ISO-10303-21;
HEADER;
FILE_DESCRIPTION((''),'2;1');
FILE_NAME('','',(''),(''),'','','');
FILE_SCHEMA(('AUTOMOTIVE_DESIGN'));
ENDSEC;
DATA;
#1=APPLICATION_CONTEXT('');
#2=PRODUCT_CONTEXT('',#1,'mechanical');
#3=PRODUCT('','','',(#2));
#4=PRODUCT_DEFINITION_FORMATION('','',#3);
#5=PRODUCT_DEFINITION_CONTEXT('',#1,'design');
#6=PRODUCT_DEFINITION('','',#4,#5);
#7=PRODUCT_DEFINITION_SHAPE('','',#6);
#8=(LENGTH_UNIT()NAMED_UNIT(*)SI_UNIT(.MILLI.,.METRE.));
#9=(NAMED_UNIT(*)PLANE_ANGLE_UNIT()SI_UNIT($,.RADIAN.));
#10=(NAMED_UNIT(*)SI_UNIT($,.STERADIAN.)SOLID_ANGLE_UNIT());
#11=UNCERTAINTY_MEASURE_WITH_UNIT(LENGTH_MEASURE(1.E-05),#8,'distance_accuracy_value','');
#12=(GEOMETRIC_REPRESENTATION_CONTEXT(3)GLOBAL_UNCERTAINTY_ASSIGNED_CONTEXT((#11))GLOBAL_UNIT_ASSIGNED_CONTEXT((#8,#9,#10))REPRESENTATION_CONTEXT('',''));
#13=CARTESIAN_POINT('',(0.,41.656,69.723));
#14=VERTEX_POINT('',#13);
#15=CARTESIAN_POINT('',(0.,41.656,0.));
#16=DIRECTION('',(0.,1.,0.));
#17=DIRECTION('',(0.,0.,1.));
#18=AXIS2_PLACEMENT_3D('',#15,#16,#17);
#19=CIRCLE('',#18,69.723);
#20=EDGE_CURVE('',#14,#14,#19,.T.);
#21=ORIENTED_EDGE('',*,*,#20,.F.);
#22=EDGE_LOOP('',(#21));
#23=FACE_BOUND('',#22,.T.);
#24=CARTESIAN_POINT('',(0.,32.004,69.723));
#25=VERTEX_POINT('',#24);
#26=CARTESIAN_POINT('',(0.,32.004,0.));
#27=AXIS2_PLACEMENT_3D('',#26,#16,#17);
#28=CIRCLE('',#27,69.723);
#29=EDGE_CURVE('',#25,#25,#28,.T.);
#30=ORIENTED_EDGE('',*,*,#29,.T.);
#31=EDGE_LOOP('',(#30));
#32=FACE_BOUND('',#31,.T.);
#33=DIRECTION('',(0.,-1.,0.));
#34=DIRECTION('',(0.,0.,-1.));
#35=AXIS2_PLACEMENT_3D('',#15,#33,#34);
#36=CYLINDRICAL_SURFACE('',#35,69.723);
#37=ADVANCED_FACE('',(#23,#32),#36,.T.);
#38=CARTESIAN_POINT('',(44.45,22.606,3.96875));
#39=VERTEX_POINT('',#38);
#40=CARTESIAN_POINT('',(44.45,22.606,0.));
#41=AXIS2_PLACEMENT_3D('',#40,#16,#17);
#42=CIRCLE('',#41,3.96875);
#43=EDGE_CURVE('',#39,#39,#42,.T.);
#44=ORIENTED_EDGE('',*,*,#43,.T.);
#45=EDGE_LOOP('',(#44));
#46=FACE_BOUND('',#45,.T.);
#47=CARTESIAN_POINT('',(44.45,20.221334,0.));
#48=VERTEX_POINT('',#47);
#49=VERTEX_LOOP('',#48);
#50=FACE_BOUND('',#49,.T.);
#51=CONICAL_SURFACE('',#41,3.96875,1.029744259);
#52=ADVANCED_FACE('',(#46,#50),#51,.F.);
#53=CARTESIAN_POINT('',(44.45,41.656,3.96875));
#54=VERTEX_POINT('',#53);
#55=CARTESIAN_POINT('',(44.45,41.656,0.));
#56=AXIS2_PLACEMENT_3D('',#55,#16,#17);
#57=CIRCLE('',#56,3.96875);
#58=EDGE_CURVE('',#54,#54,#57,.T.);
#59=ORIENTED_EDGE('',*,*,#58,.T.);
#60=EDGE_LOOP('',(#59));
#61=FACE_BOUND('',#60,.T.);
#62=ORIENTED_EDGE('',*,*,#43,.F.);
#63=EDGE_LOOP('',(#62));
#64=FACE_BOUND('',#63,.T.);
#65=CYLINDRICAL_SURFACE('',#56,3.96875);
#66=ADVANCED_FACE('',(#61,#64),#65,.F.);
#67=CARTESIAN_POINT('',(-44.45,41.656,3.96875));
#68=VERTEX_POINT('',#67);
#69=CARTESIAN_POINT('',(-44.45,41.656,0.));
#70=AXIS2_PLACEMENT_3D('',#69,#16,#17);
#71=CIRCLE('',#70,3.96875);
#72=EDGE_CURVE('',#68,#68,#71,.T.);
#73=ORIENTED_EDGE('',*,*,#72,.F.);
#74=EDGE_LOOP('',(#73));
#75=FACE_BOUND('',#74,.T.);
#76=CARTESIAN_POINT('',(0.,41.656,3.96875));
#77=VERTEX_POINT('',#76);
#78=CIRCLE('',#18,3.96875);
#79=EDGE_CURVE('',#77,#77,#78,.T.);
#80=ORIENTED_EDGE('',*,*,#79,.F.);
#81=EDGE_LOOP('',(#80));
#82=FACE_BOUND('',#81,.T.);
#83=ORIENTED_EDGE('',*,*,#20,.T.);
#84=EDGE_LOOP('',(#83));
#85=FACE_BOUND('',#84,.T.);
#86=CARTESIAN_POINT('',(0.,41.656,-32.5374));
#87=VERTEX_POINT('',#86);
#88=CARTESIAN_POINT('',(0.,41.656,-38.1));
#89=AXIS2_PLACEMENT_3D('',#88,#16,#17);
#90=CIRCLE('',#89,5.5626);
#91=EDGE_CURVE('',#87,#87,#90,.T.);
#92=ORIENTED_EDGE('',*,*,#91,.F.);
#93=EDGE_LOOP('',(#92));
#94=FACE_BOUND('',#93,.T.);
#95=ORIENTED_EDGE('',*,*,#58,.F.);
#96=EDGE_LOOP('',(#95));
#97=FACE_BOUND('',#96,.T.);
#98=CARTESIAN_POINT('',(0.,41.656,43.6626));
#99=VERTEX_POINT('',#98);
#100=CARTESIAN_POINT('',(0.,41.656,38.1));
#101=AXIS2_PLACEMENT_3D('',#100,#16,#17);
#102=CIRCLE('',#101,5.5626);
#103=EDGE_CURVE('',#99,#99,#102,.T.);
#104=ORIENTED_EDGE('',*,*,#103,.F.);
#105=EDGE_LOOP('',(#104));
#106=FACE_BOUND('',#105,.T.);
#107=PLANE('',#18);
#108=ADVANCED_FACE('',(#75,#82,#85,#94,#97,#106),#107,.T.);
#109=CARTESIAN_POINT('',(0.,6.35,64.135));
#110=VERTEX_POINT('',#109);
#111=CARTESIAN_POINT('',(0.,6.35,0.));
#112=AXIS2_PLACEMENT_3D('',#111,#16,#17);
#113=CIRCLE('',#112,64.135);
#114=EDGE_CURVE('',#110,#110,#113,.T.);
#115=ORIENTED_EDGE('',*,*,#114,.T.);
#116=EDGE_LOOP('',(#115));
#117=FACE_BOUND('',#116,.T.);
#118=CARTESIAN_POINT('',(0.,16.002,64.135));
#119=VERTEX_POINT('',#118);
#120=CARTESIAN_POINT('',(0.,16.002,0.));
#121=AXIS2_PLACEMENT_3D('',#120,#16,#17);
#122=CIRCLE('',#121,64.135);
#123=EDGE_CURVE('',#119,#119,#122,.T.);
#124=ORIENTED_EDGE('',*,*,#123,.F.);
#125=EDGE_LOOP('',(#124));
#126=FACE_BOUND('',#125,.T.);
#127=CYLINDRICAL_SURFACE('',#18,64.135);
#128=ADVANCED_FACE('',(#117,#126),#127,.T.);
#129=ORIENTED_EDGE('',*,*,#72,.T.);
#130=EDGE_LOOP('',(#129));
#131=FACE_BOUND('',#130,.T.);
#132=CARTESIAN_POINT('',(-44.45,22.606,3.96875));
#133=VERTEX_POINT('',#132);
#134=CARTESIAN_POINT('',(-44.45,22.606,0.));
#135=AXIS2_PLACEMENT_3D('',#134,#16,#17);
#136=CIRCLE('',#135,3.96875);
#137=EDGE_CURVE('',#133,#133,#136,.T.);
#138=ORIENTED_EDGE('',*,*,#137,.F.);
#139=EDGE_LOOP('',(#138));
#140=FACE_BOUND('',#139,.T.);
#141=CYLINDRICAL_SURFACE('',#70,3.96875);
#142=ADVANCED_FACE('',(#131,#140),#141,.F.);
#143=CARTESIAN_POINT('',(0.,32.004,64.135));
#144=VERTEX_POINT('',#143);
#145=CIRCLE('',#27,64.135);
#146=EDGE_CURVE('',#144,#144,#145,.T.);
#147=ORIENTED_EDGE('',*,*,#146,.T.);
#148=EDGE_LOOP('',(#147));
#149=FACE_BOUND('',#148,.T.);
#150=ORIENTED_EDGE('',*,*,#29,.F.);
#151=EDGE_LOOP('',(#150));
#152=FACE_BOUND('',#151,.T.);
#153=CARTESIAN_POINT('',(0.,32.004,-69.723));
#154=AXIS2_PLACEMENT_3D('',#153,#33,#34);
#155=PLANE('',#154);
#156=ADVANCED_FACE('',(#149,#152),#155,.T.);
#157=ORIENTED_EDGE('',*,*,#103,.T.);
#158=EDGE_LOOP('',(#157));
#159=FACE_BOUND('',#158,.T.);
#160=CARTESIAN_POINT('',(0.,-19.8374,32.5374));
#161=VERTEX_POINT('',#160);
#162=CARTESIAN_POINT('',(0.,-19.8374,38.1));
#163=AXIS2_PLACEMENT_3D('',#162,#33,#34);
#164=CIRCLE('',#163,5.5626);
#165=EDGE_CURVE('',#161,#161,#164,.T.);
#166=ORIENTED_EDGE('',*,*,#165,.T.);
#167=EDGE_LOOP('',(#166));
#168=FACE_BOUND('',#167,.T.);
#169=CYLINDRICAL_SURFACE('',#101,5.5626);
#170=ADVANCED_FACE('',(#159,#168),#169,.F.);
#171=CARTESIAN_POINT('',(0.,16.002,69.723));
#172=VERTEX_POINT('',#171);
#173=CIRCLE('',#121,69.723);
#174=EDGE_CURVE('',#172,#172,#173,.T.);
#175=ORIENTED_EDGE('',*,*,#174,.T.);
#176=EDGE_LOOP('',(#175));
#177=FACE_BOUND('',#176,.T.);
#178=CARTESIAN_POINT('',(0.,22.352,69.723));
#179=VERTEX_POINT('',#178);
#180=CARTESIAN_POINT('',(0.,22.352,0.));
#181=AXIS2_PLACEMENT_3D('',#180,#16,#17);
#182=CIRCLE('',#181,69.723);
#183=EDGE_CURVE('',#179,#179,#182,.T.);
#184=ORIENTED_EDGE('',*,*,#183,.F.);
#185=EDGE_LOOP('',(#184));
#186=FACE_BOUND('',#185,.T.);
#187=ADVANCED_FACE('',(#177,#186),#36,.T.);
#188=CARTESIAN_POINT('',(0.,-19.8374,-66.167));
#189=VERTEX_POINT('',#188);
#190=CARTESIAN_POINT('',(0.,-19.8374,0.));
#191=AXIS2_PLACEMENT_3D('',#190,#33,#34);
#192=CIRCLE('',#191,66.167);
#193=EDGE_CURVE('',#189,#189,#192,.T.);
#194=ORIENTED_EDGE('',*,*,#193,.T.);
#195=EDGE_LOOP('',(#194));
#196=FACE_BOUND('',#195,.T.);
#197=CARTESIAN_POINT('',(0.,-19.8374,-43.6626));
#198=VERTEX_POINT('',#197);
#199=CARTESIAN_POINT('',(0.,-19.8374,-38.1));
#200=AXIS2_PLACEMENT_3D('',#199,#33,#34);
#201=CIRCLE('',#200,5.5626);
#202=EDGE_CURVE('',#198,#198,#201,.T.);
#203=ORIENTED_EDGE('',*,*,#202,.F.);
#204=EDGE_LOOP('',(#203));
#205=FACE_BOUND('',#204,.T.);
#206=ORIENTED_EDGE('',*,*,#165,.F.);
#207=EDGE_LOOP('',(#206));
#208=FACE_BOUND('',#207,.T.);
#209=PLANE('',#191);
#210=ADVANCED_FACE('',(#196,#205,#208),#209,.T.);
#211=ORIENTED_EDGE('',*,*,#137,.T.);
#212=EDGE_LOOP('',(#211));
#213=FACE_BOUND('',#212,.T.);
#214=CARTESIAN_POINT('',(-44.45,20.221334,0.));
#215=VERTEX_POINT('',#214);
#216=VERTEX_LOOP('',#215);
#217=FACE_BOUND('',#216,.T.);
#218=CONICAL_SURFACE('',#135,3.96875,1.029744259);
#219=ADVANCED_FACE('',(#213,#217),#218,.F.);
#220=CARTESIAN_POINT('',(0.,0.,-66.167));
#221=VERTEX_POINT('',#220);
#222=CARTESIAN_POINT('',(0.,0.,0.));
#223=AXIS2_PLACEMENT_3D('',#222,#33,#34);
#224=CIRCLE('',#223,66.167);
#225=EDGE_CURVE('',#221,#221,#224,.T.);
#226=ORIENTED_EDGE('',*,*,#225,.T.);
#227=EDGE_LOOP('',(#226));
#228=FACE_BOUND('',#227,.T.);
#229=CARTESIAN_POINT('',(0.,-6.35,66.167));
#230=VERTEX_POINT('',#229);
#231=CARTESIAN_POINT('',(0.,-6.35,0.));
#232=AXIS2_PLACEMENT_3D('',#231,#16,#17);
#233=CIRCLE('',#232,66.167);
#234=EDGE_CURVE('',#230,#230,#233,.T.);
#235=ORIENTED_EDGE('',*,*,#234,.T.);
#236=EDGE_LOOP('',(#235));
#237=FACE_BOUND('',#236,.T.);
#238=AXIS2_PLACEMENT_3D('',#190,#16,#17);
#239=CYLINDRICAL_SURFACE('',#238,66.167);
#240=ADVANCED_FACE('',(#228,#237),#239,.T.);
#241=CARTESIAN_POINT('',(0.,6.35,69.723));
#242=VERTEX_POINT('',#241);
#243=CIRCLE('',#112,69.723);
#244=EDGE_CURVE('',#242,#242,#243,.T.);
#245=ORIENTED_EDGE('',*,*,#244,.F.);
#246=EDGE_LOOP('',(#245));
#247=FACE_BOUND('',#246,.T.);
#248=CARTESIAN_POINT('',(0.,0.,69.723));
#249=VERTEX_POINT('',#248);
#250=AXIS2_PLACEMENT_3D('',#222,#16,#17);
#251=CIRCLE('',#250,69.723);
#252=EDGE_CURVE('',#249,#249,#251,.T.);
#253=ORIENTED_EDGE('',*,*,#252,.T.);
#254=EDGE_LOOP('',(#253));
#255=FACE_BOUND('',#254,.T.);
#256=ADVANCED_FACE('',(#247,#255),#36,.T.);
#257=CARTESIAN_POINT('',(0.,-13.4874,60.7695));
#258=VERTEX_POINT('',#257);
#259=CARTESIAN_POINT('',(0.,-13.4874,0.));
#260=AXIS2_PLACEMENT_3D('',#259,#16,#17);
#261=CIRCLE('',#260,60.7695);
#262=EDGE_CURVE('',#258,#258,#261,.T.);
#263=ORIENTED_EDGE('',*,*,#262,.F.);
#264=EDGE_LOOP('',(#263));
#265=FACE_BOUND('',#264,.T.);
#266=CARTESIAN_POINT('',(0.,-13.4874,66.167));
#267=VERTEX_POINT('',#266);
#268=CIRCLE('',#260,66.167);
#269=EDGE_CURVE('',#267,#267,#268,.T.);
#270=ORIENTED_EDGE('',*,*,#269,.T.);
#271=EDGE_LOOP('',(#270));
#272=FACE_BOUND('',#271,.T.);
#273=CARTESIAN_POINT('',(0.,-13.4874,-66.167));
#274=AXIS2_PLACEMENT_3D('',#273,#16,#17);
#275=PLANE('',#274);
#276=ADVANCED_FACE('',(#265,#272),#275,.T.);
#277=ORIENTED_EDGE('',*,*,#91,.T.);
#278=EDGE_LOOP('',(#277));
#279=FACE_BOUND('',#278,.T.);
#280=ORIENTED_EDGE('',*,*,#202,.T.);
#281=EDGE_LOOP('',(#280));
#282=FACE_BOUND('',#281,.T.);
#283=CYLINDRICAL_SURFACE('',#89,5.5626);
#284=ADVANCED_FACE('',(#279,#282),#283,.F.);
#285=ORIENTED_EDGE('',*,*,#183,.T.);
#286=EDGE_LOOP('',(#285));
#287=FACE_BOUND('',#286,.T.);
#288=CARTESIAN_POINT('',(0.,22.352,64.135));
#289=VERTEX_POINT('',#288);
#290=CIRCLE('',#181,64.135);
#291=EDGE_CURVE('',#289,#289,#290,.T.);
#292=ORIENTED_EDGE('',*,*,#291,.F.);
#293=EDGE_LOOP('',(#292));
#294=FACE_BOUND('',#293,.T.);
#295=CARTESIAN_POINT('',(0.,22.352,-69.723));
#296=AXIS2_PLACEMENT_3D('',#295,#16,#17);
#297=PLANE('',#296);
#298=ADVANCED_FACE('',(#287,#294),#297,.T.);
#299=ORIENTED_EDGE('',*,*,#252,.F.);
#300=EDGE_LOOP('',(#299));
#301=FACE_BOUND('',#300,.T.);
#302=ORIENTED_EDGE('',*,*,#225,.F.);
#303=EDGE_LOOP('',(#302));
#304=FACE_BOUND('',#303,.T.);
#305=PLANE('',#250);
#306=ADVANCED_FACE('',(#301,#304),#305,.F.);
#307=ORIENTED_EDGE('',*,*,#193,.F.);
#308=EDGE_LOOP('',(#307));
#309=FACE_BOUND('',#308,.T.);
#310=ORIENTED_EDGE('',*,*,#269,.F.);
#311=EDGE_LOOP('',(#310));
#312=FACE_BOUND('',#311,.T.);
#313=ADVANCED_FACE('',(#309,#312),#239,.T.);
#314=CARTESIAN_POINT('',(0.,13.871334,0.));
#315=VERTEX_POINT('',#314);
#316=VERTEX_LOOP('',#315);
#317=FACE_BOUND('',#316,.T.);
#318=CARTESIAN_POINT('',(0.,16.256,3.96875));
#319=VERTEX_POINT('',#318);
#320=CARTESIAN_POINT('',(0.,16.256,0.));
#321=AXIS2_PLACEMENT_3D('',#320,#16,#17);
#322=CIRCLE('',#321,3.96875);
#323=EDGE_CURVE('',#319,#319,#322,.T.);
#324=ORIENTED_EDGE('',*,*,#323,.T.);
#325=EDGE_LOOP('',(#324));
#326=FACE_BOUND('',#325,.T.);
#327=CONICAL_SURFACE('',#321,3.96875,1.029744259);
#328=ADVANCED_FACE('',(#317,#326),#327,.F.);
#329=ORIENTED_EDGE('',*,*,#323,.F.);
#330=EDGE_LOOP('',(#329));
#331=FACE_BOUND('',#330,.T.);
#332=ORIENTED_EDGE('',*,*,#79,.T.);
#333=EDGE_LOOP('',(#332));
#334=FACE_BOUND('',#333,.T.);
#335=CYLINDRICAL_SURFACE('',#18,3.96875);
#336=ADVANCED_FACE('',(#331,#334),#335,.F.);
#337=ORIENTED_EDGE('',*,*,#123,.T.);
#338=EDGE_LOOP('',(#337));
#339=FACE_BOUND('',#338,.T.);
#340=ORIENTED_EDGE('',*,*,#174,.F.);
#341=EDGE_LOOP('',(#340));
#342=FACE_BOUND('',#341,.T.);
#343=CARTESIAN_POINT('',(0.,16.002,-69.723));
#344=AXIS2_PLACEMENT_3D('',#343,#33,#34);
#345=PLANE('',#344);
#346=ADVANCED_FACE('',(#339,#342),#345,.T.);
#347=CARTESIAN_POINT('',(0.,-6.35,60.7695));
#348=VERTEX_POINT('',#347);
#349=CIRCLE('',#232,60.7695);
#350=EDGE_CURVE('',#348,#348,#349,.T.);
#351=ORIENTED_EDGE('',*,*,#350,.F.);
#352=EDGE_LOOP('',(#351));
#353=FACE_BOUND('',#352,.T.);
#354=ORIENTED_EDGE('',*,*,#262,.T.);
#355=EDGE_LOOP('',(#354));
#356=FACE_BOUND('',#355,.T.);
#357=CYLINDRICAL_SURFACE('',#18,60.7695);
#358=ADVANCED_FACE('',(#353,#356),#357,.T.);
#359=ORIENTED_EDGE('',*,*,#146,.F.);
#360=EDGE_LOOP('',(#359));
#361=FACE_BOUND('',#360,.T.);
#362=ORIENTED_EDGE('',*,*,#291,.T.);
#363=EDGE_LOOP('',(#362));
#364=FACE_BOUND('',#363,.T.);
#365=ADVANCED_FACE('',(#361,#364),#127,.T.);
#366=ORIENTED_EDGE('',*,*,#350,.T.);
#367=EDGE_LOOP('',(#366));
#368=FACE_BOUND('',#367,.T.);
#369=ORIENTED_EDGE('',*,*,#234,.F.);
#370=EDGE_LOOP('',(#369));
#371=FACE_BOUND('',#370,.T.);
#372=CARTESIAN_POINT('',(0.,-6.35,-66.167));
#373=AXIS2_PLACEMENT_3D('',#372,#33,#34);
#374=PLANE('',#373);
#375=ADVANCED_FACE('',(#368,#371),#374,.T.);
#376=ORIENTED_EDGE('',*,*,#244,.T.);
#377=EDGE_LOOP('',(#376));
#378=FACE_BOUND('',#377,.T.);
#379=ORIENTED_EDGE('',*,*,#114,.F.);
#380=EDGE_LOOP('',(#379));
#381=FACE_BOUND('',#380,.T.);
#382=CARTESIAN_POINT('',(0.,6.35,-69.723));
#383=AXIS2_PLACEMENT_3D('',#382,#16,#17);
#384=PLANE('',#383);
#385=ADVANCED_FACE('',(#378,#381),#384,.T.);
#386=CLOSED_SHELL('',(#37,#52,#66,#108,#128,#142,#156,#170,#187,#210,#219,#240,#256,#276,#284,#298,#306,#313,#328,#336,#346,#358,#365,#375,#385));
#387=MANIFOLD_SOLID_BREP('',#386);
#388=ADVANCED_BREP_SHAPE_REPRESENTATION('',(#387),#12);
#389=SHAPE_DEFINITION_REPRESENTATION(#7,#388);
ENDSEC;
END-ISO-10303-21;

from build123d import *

# Parameters (mm, degrees)
SKETCH1_R                         = 69.723
BOSS_EXTRUDE1_DEPTH               = 41.656
SKETCH3_W                         = 5.588
SKETCH3_H                         = 9.652
SKETCH4_R                         = 66.167
BOSS_EXTRUDE2_DEPTH               = 19.8374
SKETCH5_W                         = 5.3975
SKETCH5_H                         = 7.1374
PIPE_TAP_DRILL_FOR_1_4_TAP1_D     = 11.1252
TAP_DRILL_FOR_3_8_16_TAP1_D       = 7.9375
TAP_DRILL_FOR_3_8_16_TAP1_DEPTH   = 25.4
TAP_DRILL_FOR_3_8_16_TAP1_TIP     = 2.384665582
PIPE_TAP_DRILL_FOR_1_4_TAP2_D     = 11.1252
PIPE_TAP_DRILL_FOR_1_4_TAP2_DEPTH = 61.4934
TAP_DRILL_FOR_3_8_16_TAP2_D       = 7.9375
TAP_DRILL_FOR_3_8_16_TAP2_DEPTH   = 19.05
TAP_DRILL_FOR_3_8_16_TAP2_TIP     = 2.384665582


with BuildPart() as part:
    # Sketch1 → Boss-Extrude1 (new body)
    with BuildSketch(Plane(origin=(0, 0, 0), x_dir=(1, 0, 0), z_dir=(0, 1, 0))):
        with Locations(Location((0, 0, 0), (0, 0, 270))):
            Circle(SKETCH1_R)
    extrude(amount=BOSS_EXTRUDE1_DEPTH)

    # Sketch3 → Cut-Revolve1 (revolve, cut)
    with BuildSketch(Plane(origin=(0, 0, 0), x_dir=(0, 0, -1), z_dir=(1, 0, 0)), mode=Mode.PRIVATE) as cut_revolve1_sk:
        with Locations((66.929, 27.178)):
            Rectangle(SKETCH3_W, SKETCH3_H)
        with Locations((66.929, 11.176)):
            Rectangle(SKETCH3_W, SKETCH3_H)
    revolve(cut_revolve1_sk.sketch.rotate(Axis((0, 41.656, 0), (0, -1, 0)), 180), axis=Axis((0, 41.656, 0), (0, -1, 0)), mode=Mode.SUBTRACT)

    # Sketch4 → Boss-Extrude2 (add)
    with BuildSketch(Plane.XZ):
        with Locations(Location((0, 0, 0), (0, 0, 270))):
            Circle(SKETCH4_R)
    extrude(amount=BOSS_EXTRUDE2_DEPTH)

    # Sketch5 → Cut-Revolve2 (revolve, cut)
    with BuildSketch(Plane(origin=(0, 0, 0), x_dir=(0, 0, -1), z_dir=(1, 0, 0)), mode=Mode.PRIVATE) as cut_revolve2_sk:
        with Locations((63.46825, -9.9187)):
            Rectangle(SKETCH5_W, SKETCH5_H)
    revolve(cut_revolve2_sk.sketch.rotate(Axis((0, 41.656, 0), (0, -1, 0)), 180), axis=Axis((0, 41.656, 0), (0, -1, 0)), mode=Mode.SUBTRACT)

    # Pipe Tap Drill for 1/4 Tap1 (through all)
    with Locations(Plane(origin=(0, 41.656, -38.1), x_dir=(0, 0, 1), z_dir=(0, 1, 0))):
        with Locations((0, 0)):
            pipe_tap_drill_for_1_4_tap1 = Hole(PIPE_TAP_DRILL_FOR_1_4_TAP1_D / 2)

    # Mirror1: Pipe Tap Drill for 1/4 Tap1 across plane
    add(pipe_tap_drill_for_1_4_tap1.mirror(Plane.XY), mode=Mode.SUBTRACT)

    # Tap Drill for 3/8-16 Tap1
    with Locations(Plane.ZX.offset(41.656)):
        with Locations((0, 0)):
            Hole(TAP_DRILL_FOR_3_8_16_TAP1_D / 2, depth=TAP_DRILL_FOR_3_8_16_TAP1_DEPTH)
            with Locations((0, 0, -(TAP_DRILL_FOR_3_8_16_TAP1_DEPTH + TAP_DRILL_FOR_3_8_16_TAP1_TIP / 2))):  # 118° drill point
                Cone(0, TAP_DRILL_FOR_3_8_16_TAP1_D / 2, TAP_DRILL_FOR_3_8_16_TAP1_TIP, mode=Mode.SUBTRACT)

    # Pipe Tap Drill for 1/4 Tap2
    with Locations(Plane(origin=(0, 41.656, 38.1), x_dir=(0, 0, 1), z_dir=(0, 1, 0))):
        with Locations((0, 0), (-76.2, 0)):
            Hole(PIPE_TAP_DRILL_FOR_1_4_TAP2_D / 2, depth=PIPE_TAP_DRILL_FOR_1_4_TAP2_DEPTH)

    # Tap Drill for 3/8-16 Tap2
    with Locations(Plane(origin=(-44.45, 41.656, 0), x_dir=(0, 0, 1), z_dir=(0, 1, 0))):
        with Locations((0, 0), (0, 88.9)):
            Hole(TAP_DRILL_FOR_3_8_16_TAP2_D / 2, depth=TAP_DRILL_FOR_3_8_16_TAP2_DEPTH)
            with Locations((0, 0, -(TAP_DRILL_FOR_3_8_16_TAP2_DEPTH + TAP_DRILL_FOR_3_8_16_TAP2_TIP / 2))):  # 118° drill point
                Cone(0, TAP_DRILL_FOR_3_8_16_TAP2_D / 2, TAP_DRILL_FOR_3_8_16_TAP2_TIP, mode=Mode.SUBTRACT)


solid = part.part
